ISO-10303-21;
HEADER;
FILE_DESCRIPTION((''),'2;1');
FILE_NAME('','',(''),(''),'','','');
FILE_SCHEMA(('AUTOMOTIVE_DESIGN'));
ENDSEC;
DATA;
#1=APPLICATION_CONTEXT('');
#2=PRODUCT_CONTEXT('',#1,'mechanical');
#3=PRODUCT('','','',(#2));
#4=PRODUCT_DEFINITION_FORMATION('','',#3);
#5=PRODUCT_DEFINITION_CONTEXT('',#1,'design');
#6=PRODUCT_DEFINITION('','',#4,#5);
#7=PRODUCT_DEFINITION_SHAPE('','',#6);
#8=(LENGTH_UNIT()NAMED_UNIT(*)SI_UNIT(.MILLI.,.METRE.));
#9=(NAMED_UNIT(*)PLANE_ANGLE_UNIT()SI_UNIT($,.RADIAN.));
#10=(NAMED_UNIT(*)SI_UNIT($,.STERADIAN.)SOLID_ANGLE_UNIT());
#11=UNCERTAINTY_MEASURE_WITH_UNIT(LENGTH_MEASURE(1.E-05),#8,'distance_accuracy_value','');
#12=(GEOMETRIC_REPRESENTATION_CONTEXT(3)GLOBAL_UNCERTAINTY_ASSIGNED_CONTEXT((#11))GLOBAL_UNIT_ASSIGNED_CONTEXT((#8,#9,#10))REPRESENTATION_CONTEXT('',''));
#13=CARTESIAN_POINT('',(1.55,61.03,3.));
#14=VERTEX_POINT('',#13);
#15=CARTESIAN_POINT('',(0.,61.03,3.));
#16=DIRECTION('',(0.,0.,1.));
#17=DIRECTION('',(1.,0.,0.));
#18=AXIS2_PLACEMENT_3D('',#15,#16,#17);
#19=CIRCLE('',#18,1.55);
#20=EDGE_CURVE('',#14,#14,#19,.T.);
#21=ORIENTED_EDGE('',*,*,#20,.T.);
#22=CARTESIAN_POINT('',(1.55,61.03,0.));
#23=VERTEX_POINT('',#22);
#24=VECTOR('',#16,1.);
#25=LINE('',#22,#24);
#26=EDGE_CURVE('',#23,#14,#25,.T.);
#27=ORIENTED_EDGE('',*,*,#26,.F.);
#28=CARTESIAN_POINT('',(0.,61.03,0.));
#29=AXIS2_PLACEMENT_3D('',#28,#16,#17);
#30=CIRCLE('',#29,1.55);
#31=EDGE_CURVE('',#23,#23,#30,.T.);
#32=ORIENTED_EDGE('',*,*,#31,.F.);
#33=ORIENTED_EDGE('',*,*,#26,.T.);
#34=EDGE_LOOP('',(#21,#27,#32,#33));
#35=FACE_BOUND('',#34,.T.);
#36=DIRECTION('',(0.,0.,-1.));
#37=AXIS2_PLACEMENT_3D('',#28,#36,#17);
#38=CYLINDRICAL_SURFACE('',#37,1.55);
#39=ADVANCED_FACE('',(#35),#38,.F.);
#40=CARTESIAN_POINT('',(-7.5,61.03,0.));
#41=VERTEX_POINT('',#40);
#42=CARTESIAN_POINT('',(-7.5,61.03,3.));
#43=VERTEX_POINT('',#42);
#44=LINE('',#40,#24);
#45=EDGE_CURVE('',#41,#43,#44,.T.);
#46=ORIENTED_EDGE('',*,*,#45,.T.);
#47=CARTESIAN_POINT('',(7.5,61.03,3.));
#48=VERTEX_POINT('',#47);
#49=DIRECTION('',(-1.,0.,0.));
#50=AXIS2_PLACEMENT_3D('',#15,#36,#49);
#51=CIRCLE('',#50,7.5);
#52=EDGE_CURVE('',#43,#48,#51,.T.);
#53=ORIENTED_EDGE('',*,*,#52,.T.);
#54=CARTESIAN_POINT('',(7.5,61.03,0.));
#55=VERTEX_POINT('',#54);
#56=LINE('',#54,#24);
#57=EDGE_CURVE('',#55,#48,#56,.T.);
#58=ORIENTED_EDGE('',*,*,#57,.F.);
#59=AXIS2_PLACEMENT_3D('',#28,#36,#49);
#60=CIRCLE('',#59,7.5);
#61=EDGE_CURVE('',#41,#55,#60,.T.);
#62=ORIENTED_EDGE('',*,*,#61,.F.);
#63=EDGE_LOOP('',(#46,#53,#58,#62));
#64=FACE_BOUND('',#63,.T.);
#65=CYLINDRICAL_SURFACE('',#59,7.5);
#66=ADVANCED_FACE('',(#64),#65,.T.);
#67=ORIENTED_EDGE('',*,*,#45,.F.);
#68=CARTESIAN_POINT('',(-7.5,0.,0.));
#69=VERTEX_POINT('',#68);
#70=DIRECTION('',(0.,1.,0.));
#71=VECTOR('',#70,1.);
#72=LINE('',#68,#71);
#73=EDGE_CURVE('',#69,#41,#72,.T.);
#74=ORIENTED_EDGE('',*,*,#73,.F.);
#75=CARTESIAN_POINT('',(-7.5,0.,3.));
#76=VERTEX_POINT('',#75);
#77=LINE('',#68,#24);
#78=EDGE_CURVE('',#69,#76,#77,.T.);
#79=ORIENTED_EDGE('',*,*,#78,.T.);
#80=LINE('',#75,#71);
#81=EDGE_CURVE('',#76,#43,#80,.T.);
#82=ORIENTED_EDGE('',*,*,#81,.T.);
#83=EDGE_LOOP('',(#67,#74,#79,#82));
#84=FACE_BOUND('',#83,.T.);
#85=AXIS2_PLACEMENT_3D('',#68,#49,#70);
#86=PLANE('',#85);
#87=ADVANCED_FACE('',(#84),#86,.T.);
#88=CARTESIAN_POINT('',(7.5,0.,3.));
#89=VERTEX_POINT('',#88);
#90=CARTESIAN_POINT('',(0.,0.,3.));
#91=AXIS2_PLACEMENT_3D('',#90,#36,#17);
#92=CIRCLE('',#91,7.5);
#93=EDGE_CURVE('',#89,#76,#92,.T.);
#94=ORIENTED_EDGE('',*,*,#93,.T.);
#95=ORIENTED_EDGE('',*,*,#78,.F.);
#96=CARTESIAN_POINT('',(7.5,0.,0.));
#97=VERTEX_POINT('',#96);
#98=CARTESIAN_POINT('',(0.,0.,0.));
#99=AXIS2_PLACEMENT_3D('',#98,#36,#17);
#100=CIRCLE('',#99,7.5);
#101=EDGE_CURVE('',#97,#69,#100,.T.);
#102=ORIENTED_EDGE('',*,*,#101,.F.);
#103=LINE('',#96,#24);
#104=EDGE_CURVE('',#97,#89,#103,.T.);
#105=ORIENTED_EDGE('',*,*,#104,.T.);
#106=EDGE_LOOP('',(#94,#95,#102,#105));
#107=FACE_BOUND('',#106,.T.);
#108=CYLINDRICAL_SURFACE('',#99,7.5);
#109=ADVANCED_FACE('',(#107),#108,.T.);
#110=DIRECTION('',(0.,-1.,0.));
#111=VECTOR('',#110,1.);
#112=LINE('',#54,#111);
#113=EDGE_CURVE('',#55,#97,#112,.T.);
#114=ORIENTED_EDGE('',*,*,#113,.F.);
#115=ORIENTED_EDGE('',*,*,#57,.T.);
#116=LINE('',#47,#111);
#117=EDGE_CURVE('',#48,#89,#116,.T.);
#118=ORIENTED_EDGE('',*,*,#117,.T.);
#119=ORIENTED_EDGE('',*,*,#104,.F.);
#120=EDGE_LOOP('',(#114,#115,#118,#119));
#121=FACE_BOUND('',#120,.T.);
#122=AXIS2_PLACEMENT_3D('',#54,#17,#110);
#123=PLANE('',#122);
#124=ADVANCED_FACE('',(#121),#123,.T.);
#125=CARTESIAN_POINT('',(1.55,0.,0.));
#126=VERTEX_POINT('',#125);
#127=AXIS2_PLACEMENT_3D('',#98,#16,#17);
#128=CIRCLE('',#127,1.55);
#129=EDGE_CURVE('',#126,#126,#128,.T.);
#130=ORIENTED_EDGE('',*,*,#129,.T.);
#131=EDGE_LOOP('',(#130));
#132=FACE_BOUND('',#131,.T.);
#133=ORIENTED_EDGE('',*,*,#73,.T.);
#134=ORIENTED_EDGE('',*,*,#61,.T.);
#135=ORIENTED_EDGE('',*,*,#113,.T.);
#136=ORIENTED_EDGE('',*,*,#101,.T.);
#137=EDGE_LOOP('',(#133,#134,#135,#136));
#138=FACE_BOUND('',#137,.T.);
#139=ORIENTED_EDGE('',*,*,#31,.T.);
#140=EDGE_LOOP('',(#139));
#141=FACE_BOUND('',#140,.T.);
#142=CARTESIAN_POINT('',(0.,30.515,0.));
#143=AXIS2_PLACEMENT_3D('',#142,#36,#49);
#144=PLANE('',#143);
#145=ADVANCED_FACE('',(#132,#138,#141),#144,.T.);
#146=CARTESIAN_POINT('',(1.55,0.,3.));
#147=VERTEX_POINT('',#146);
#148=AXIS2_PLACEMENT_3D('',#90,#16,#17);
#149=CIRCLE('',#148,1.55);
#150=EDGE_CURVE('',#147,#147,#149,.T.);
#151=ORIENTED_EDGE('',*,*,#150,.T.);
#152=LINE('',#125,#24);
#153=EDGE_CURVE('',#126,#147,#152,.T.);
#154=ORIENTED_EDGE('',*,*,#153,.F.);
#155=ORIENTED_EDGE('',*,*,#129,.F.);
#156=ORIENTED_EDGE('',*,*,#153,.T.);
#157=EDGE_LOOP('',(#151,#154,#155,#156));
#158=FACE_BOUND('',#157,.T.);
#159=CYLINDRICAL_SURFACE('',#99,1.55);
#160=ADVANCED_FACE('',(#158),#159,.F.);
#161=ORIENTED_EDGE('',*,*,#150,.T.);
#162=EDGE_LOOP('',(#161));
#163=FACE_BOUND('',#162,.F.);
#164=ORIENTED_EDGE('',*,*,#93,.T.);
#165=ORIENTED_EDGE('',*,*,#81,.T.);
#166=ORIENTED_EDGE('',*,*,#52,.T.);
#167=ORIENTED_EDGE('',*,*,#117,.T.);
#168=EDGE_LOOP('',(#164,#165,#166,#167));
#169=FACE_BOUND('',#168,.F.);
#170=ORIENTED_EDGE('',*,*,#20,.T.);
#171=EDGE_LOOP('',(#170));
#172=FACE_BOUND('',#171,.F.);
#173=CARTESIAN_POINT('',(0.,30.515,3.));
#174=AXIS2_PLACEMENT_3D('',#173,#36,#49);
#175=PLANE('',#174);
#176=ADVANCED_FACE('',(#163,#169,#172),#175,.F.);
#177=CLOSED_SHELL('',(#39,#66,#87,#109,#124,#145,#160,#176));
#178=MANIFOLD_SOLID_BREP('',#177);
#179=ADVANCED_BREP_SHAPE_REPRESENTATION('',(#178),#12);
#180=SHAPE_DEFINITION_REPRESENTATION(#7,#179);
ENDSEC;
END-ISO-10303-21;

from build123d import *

# Parameters (mm, degrees)
CROQUIS1_R              = 1.55
SALIENTE_EXTRUIR1_DEPTH = 3


with BuildPart() as part:
    # Croquis1 → Saliente-Extruir1 (new body)
    with BuildSketch(Plane.XY):
        with BuildLine():
            Line((-7.5, 0), (-7.5, 61.03))
            ThreePointArc((-7.5, 61.03), (0, 68.53), (7.5, 61.03))
            Line((7.5, 61.03), (7.5, 0))
            ThreePointArc((7.5, 0), (0, -7.5), (-7.5, 0))
        make_face()
        Circle(CROQUIS1_R, mode=Mode.SUBTRACT)
        with Locations((0, 61.03)):
            Circle(CROQUIS1_R, mode=Mode.SUBTRACT)
    extrude(amount=SALIENTE_EXTRUIR1_DEPTH)


solid = part.part
